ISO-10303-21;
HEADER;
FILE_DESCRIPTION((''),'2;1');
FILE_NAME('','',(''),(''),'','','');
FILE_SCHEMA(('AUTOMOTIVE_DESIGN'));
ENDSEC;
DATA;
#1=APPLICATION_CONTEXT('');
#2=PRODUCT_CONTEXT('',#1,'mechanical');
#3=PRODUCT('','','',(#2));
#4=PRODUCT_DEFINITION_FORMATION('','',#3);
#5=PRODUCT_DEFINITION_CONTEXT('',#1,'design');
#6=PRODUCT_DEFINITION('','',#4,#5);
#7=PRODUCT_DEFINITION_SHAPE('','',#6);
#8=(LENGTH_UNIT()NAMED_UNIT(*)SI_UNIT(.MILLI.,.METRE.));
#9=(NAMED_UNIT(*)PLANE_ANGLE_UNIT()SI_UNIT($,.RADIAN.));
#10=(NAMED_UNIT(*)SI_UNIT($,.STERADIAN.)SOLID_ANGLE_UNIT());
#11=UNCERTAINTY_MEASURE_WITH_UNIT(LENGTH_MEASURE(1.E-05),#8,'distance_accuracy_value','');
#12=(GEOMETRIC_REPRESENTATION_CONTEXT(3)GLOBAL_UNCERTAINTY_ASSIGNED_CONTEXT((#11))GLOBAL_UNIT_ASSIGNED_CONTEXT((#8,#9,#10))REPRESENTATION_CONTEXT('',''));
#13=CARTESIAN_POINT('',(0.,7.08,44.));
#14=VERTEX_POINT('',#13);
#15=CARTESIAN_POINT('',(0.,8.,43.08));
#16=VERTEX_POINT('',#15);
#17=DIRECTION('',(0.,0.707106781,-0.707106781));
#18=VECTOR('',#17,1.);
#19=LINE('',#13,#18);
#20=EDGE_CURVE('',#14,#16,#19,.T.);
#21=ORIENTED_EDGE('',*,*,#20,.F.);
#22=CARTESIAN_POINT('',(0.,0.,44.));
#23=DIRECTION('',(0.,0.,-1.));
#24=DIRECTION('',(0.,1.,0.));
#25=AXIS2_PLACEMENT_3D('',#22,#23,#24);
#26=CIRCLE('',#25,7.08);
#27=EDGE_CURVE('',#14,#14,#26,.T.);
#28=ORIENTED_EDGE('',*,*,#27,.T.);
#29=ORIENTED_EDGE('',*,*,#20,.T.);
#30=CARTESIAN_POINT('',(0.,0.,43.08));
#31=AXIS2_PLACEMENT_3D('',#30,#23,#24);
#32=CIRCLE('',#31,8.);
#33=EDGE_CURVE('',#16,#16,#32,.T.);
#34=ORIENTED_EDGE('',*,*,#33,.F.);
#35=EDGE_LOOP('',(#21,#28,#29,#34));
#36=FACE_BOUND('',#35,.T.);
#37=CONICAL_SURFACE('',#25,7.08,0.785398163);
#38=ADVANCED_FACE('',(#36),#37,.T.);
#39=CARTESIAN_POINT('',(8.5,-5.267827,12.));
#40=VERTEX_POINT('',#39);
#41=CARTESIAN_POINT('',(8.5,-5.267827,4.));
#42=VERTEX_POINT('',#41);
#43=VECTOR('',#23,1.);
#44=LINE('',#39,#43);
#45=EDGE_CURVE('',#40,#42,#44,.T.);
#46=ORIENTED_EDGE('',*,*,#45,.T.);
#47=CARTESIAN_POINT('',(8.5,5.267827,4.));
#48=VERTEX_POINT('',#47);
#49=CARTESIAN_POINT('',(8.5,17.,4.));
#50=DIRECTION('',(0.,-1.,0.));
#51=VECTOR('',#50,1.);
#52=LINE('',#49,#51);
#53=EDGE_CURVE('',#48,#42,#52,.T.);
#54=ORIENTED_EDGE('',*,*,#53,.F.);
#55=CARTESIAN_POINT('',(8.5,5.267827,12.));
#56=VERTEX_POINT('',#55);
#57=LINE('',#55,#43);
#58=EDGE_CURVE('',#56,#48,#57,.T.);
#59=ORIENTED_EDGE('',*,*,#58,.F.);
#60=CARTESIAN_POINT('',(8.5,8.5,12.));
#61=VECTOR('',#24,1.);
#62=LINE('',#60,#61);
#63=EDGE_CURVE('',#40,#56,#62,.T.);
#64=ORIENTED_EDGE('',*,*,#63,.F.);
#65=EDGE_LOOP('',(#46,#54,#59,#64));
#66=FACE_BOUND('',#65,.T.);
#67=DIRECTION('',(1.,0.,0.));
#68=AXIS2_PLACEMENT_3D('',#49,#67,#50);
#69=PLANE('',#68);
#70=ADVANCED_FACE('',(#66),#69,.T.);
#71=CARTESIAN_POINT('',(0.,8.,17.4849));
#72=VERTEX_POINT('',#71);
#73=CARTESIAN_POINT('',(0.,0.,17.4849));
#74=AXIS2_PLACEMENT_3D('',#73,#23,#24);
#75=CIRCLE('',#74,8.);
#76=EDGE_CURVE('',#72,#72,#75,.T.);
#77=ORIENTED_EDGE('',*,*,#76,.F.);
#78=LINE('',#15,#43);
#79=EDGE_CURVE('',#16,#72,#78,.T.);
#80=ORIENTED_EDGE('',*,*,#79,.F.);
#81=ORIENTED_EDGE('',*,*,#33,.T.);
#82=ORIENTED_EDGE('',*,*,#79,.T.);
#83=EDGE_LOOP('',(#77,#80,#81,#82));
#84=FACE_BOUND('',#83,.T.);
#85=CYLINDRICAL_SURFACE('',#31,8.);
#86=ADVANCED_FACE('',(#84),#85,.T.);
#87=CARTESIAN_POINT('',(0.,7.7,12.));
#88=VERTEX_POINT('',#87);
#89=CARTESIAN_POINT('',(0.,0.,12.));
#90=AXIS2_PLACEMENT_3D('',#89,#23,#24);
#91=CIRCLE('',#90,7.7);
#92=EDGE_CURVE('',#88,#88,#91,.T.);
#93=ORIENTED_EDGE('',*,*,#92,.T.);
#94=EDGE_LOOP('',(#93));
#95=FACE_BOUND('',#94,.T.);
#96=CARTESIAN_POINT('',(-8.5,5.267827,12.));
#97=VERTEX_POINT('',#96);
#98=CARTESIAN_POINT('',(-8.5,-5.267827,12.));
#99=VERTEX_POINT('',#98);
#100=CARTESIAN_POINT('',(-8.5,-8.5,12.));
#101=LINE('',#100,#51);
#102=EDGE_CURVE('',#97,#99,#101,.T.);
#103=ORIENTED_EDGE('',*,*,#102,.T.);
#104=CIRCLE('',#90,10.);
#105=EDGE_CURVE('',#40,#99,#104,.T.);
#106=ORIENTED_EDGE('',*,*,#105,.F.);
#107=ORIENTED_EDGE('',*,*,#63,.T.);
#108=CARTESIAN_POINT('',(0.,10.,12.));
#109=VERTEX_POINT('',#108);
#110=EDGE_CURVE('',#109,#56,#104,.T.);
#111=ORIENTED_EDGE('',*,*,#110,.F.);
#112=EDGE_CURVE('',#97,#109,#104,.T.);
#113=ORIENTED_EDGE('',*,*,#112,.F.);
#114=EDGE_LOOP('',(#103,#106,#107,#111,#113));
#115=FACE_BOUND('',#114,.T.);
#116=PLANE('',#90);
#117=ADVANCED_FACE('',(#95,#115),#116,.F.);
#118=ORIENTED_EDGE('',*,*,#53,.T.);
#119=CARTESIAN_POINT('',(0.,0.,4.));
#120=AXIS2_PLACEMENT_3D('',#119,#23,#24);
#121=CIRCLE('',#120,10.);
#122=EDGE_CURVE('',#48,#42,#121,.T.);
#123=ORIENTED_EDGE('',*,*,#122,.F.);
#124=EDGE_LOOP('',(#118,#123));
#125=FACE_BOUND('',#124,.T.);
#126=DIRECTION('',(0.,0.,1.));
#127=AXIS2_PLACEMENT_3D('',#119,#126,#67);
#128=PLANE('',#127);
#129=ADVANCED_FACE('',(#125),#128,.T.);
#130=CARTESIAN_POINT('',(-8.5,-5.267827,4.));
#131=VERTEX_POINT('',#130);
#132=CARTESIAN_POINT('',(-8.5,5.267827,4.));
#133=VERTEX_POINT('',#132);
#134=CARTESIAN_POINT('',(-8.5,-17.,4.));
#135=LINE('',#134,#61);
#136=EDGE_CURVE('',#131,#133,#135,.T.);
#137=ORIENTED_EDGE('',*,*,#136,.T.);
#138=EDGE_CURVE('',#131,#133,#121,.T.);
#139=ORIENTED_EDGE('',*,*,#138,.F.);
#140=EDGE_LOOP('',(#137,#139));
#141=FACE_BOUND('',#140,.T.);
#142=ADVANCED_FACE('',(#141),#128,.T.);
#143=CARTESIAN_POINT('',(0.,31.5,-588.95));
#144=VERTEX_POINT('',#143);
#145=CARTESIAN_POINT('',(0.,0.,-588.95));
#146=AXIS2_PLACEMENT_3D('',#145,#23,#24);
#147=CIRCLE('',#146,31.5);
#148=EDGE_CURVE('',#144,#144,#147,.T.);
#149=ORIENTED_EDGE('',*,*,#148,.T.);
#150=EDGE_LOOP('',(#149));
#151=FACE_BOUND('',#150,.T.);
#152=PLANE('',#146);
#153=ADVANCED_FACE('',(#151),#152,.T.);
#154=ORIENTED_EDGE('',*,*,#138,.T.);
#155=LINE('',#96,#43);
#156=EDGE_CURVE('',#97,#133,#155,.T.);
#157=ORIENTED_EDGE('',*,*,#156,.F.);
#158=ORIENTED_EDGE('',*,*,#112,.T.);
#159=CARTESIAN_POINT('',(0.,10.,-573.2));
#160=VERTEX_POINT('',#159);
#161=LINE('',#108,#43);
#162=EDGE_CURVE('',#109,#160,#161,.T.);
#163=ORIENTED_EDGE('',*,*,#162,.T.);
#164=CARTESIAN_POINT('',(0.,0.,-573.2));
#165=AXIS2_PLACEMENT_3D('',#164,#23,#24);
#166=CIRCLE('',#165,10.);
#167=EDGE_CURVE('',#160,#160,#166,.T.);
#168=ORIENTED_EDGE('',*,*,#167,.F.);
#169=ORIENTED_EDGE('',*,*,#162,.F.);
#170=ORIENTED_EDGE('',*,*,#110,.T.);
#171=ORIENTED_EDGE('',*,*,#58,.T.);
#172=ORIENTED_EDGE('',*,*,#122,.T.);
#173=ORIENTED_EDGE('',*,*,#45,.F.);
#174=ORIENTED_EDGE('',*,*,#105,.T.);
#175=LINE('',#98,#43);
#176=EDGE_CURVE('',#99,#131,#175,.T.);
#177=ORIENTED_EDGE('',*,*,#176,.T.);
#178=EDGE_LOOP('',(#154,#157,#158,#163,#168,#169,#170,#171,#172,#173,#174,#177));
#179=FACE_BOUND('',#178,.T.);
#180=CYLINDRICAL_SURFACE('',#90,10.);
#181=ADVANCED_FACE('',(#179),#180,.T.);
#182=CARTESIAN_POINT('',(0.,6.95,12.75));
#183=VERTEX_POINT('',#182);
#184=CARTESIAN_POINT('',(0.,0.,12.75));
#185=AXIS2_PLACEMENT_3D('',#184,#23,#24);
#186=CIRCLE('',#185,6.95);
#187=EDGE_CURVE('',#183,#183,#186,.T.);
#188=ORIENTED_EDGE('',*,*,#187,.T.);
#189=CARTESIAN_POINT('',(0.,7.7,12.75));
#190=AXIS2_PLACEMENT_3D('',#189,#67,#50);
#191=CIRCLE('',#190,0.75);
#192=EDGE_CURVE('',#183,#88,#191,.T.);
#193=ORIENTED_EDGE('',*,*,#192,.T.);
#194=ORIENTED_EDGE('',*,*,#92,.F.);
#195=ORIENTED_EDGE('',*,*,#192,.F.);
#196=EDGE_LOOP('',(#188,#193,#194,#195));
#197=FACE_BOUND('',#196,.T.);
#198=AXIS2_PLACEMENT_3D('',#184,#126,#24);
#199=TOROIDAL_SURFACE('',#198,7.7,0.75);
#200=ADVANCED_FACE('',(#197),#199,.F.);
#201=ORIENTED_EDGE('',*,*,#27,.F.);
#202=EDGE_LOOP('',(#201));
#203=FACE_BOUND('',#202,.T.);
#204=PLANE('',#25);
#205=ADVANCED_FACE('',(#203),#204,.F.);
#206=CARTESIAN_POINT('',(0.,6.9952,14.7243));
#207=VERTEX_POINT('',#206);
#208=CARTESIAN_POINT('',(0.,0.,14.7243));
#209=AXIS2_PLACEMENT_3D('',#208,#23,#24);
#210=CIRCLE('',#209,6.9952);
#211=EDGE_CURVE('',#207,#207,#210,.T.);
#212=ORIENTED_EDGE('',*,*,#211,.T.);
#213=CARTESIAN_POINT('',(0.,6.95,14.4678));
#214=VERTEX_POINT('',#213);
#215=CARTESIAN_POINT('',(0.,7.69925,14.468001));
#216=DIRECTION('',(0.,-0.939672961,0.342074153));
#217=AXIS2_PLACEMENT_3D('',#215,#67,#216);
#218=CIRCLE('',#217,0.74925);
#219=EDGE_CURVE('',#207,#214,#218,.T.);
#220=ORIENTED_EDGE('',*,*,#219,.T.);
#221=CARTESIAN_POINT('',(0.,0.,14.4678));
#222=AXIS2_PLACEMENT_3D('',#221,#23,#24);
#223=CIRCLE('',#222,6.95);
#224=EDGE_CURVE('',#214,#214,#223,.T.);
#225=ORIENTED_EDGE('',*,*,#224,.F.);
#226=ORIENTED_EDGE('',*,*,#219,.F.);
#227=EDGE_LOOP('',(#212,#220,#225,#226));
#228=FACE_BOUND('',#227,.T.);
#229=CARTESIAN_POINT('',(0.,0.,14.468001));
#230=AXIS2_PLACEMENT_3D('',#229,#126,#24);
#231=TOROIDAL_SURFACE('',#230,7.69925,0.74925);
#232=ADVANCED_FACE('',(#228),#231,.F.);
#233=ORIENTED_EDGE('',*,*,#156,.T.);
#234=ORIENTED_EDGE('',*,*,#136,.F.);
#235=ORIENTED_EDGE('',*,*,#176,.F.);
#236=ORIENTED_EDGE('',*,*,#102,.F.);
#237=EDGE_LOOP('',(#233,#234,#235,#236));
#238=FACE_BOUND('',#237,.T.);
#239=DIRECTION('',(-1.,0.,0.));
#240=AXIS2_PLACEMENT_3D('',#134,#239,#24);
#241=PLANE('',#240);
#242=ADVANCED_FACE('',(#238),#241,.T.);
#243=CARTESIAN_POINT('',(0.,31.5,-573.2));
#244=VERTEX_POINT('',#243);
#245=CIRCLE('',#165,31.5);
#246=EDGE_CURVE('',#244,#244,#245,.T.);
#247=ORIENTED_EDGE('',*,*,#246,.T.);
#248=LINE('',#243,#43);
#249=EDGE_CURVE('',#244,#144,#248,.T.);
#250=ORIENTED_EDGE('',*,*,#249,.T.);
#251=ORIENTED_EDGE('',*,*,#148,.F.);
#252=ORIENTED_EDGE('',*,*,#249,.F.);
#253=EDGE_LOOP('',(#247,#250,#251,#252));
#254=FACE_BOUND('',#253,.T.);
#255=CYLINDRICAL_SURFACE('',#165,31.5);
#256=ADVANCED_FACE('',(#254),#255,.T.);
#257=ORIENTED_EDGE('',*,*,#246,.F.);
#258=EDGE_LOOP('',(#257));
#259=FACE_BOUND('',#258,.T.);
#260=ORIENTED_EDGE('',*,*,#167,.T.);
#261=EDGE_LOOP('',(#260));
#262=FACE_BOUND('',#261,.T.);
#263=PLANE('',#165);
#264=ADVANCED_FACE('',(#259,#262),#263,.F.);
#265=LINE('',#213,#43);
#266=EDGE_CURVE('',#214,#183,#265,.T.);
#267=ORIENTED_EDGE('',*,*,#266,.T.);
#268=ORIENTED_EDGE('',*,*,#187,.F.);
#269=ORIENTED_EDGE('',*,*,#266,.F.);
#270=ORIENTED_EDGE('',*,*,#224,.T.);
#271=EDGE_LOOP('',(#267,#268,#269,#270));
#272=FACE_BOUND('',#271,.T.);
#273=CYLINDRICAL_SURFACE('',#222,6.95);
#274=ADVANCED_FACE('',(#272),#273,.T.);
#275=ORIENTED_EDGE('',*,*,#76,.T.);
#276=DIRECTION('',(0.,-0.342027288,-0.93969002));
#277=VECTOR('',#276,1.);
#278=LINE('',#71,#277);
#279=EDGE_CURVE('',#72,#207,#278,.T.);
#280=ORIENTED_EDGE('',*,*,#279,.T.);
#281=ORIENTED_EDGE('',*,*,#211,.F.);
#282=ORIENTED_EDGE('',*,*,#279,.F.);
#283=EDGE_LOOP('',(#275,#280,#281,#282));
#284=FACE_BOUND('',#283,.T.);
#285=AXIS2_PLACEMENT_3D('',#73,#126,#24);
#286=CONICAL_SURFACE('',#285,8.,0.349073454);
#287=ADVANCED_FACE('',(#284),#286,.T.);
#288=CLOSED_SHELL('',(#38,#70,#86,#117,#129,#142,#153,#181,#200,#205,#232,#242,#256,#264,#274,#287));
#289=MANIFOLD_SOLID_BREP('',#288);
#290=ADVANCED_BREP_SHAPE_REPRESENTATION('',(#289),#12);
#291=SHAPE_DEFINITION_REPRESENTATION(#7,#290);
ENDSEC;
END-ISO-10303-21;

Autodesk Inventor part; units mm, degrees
sketch "Sketch_2" plane through (0, 0, 0) normal (1, 0, 0) x (0, 1, 0)
  line L0 (0, -588.95) -> (0, 12)
  line L1 (0, 12) -> (10, 12)
  line L2 (10, 12) -> (10, -573.2)
  line L3 (10, -573.2) -> (31.5, -573.2)
  line L4 (31.5, -573.2) -> (31.5, -588.95)
  line L5 (31.5, -588.95) -> (0, -588.95)
  line L6 (0, -588.95) -> (0, 12)
revolve "Revolution1" add sketch "Sketch_2" angle 360 about axis through (0, 0, -588.95) along (0, 0, -1)
sketch "Sketch_6" plane through (0, 0, 0) normal (1, 0, 0) x (0, 1, 0)
  line L0 (0, 11) -> (0, 44)
  line L1 (0, 44) -> (7.08, 44)
  line L2 (7.08, 44) -> (8, 43.08)
  line L3 (8, 43.08) -> (8, 17.4849)
  line L4 (8, 17.4849) -> (6.9952, 14.7243)
  arc A0 (6.9952, 14.7243) -> (6.95, 14.4678) centre (7.7, 14.4678) ccw
  line L5 (6.95, 14.4678) -> (6.95, 12.75)
  arc A1 (6.95, 12.75) -> (7.7, 12) centre (7.7, 12.75) ccw
  line L6 (7.7, 12) -> (8, 12)
  line L7 (8, 12) -> (8, 11)
  line L8 (8, 11) -> (0, 11)
  line L9 (0, 11) -> (0, 44)
revolve "Revolution2" add sketch "Sketch_6" angle 360 about axis through (0, 0, 11) along (0, 0, -1)
thread "Thread1" size "M16x1.5" class "6g" standard "ISO Metric profile" full length
sketch "Sketch_7" plane through (0, 0, 4) normal (0, 0, 1) x (1, 0, 0)
  line L0 (-17, 34) -> (-17, -17)
  line L1 (-17, -17) -> (-8.5, -17)
  line L2 (-8.5, -17) -> (-8.5, 17)
  line L3 (-8.5, 17) -> (8.5, 17)
  line L4 (8.5, 17) -> (8.5, -17)
  line L5 (8.5, -17) -> (17, -17)
  line L6 (17, -17) -> (17, 34)
  line L7 (17, 34) -> (-17, 34)
extrude "Extrusion1" cut sketch "Sketch_7" along normal blind 9
ref_plane "FDT_KSAUFSATZ_XY" through (0, 0, 26) normal (0, 0, 1) x (-1, 0, 0)
ref_plane "FDT_KSAUFSATZ_YZ" through (0, 0, 26) normal (-1, 0, 0) x (0, -1, 0)
ref_plane "FDT_KSAUFSATZ_ZX" through (0, 0, 26) normal (0, -1, 0) x (0, 0, 1)
ref_plane "FDT_NUT_XY" through (0, 0, 26) normal (0, 0, 1) x (-1, 0, 0)
ref_plane "FDT_NUT_YZ" through (0, 0, 26) normal (-1, 0, 0) x (0, -1, 0)
ref_plane "FDT_NUT_ZX" through (0, 0, 26) normal (0, -1, 0) x (0, 0, 1)
ref_plane "KS_XY" through (0, 0, 0) normal (0, 0, -1) x (1, 0, 0)
ref_plane "KS_YZ" through (0, 0, 0) normal (1, 0, 0) x (0, -1, 0)
ref_plane "KS_ZX" through (0, 0, 0) normal (0, -1, 0) x (0, 0, -1)
ref_plane "NUT1_XY" through (0, 0, 32) normal (0, 0, 1) x (1, 0, 0)
ref_plane "NUT1_YZ" through (0, 0, 32) normal (1, 0, 0) x (0, 1, 0)
ref_plane "NUT1_ZX" through (0, 0, 32) normal (0, 1, 0) x (0, 0, 1)
properties part number "193995 DSNU-63-500-P---(A---00--0-KS)" material "Aluminum 6061"
